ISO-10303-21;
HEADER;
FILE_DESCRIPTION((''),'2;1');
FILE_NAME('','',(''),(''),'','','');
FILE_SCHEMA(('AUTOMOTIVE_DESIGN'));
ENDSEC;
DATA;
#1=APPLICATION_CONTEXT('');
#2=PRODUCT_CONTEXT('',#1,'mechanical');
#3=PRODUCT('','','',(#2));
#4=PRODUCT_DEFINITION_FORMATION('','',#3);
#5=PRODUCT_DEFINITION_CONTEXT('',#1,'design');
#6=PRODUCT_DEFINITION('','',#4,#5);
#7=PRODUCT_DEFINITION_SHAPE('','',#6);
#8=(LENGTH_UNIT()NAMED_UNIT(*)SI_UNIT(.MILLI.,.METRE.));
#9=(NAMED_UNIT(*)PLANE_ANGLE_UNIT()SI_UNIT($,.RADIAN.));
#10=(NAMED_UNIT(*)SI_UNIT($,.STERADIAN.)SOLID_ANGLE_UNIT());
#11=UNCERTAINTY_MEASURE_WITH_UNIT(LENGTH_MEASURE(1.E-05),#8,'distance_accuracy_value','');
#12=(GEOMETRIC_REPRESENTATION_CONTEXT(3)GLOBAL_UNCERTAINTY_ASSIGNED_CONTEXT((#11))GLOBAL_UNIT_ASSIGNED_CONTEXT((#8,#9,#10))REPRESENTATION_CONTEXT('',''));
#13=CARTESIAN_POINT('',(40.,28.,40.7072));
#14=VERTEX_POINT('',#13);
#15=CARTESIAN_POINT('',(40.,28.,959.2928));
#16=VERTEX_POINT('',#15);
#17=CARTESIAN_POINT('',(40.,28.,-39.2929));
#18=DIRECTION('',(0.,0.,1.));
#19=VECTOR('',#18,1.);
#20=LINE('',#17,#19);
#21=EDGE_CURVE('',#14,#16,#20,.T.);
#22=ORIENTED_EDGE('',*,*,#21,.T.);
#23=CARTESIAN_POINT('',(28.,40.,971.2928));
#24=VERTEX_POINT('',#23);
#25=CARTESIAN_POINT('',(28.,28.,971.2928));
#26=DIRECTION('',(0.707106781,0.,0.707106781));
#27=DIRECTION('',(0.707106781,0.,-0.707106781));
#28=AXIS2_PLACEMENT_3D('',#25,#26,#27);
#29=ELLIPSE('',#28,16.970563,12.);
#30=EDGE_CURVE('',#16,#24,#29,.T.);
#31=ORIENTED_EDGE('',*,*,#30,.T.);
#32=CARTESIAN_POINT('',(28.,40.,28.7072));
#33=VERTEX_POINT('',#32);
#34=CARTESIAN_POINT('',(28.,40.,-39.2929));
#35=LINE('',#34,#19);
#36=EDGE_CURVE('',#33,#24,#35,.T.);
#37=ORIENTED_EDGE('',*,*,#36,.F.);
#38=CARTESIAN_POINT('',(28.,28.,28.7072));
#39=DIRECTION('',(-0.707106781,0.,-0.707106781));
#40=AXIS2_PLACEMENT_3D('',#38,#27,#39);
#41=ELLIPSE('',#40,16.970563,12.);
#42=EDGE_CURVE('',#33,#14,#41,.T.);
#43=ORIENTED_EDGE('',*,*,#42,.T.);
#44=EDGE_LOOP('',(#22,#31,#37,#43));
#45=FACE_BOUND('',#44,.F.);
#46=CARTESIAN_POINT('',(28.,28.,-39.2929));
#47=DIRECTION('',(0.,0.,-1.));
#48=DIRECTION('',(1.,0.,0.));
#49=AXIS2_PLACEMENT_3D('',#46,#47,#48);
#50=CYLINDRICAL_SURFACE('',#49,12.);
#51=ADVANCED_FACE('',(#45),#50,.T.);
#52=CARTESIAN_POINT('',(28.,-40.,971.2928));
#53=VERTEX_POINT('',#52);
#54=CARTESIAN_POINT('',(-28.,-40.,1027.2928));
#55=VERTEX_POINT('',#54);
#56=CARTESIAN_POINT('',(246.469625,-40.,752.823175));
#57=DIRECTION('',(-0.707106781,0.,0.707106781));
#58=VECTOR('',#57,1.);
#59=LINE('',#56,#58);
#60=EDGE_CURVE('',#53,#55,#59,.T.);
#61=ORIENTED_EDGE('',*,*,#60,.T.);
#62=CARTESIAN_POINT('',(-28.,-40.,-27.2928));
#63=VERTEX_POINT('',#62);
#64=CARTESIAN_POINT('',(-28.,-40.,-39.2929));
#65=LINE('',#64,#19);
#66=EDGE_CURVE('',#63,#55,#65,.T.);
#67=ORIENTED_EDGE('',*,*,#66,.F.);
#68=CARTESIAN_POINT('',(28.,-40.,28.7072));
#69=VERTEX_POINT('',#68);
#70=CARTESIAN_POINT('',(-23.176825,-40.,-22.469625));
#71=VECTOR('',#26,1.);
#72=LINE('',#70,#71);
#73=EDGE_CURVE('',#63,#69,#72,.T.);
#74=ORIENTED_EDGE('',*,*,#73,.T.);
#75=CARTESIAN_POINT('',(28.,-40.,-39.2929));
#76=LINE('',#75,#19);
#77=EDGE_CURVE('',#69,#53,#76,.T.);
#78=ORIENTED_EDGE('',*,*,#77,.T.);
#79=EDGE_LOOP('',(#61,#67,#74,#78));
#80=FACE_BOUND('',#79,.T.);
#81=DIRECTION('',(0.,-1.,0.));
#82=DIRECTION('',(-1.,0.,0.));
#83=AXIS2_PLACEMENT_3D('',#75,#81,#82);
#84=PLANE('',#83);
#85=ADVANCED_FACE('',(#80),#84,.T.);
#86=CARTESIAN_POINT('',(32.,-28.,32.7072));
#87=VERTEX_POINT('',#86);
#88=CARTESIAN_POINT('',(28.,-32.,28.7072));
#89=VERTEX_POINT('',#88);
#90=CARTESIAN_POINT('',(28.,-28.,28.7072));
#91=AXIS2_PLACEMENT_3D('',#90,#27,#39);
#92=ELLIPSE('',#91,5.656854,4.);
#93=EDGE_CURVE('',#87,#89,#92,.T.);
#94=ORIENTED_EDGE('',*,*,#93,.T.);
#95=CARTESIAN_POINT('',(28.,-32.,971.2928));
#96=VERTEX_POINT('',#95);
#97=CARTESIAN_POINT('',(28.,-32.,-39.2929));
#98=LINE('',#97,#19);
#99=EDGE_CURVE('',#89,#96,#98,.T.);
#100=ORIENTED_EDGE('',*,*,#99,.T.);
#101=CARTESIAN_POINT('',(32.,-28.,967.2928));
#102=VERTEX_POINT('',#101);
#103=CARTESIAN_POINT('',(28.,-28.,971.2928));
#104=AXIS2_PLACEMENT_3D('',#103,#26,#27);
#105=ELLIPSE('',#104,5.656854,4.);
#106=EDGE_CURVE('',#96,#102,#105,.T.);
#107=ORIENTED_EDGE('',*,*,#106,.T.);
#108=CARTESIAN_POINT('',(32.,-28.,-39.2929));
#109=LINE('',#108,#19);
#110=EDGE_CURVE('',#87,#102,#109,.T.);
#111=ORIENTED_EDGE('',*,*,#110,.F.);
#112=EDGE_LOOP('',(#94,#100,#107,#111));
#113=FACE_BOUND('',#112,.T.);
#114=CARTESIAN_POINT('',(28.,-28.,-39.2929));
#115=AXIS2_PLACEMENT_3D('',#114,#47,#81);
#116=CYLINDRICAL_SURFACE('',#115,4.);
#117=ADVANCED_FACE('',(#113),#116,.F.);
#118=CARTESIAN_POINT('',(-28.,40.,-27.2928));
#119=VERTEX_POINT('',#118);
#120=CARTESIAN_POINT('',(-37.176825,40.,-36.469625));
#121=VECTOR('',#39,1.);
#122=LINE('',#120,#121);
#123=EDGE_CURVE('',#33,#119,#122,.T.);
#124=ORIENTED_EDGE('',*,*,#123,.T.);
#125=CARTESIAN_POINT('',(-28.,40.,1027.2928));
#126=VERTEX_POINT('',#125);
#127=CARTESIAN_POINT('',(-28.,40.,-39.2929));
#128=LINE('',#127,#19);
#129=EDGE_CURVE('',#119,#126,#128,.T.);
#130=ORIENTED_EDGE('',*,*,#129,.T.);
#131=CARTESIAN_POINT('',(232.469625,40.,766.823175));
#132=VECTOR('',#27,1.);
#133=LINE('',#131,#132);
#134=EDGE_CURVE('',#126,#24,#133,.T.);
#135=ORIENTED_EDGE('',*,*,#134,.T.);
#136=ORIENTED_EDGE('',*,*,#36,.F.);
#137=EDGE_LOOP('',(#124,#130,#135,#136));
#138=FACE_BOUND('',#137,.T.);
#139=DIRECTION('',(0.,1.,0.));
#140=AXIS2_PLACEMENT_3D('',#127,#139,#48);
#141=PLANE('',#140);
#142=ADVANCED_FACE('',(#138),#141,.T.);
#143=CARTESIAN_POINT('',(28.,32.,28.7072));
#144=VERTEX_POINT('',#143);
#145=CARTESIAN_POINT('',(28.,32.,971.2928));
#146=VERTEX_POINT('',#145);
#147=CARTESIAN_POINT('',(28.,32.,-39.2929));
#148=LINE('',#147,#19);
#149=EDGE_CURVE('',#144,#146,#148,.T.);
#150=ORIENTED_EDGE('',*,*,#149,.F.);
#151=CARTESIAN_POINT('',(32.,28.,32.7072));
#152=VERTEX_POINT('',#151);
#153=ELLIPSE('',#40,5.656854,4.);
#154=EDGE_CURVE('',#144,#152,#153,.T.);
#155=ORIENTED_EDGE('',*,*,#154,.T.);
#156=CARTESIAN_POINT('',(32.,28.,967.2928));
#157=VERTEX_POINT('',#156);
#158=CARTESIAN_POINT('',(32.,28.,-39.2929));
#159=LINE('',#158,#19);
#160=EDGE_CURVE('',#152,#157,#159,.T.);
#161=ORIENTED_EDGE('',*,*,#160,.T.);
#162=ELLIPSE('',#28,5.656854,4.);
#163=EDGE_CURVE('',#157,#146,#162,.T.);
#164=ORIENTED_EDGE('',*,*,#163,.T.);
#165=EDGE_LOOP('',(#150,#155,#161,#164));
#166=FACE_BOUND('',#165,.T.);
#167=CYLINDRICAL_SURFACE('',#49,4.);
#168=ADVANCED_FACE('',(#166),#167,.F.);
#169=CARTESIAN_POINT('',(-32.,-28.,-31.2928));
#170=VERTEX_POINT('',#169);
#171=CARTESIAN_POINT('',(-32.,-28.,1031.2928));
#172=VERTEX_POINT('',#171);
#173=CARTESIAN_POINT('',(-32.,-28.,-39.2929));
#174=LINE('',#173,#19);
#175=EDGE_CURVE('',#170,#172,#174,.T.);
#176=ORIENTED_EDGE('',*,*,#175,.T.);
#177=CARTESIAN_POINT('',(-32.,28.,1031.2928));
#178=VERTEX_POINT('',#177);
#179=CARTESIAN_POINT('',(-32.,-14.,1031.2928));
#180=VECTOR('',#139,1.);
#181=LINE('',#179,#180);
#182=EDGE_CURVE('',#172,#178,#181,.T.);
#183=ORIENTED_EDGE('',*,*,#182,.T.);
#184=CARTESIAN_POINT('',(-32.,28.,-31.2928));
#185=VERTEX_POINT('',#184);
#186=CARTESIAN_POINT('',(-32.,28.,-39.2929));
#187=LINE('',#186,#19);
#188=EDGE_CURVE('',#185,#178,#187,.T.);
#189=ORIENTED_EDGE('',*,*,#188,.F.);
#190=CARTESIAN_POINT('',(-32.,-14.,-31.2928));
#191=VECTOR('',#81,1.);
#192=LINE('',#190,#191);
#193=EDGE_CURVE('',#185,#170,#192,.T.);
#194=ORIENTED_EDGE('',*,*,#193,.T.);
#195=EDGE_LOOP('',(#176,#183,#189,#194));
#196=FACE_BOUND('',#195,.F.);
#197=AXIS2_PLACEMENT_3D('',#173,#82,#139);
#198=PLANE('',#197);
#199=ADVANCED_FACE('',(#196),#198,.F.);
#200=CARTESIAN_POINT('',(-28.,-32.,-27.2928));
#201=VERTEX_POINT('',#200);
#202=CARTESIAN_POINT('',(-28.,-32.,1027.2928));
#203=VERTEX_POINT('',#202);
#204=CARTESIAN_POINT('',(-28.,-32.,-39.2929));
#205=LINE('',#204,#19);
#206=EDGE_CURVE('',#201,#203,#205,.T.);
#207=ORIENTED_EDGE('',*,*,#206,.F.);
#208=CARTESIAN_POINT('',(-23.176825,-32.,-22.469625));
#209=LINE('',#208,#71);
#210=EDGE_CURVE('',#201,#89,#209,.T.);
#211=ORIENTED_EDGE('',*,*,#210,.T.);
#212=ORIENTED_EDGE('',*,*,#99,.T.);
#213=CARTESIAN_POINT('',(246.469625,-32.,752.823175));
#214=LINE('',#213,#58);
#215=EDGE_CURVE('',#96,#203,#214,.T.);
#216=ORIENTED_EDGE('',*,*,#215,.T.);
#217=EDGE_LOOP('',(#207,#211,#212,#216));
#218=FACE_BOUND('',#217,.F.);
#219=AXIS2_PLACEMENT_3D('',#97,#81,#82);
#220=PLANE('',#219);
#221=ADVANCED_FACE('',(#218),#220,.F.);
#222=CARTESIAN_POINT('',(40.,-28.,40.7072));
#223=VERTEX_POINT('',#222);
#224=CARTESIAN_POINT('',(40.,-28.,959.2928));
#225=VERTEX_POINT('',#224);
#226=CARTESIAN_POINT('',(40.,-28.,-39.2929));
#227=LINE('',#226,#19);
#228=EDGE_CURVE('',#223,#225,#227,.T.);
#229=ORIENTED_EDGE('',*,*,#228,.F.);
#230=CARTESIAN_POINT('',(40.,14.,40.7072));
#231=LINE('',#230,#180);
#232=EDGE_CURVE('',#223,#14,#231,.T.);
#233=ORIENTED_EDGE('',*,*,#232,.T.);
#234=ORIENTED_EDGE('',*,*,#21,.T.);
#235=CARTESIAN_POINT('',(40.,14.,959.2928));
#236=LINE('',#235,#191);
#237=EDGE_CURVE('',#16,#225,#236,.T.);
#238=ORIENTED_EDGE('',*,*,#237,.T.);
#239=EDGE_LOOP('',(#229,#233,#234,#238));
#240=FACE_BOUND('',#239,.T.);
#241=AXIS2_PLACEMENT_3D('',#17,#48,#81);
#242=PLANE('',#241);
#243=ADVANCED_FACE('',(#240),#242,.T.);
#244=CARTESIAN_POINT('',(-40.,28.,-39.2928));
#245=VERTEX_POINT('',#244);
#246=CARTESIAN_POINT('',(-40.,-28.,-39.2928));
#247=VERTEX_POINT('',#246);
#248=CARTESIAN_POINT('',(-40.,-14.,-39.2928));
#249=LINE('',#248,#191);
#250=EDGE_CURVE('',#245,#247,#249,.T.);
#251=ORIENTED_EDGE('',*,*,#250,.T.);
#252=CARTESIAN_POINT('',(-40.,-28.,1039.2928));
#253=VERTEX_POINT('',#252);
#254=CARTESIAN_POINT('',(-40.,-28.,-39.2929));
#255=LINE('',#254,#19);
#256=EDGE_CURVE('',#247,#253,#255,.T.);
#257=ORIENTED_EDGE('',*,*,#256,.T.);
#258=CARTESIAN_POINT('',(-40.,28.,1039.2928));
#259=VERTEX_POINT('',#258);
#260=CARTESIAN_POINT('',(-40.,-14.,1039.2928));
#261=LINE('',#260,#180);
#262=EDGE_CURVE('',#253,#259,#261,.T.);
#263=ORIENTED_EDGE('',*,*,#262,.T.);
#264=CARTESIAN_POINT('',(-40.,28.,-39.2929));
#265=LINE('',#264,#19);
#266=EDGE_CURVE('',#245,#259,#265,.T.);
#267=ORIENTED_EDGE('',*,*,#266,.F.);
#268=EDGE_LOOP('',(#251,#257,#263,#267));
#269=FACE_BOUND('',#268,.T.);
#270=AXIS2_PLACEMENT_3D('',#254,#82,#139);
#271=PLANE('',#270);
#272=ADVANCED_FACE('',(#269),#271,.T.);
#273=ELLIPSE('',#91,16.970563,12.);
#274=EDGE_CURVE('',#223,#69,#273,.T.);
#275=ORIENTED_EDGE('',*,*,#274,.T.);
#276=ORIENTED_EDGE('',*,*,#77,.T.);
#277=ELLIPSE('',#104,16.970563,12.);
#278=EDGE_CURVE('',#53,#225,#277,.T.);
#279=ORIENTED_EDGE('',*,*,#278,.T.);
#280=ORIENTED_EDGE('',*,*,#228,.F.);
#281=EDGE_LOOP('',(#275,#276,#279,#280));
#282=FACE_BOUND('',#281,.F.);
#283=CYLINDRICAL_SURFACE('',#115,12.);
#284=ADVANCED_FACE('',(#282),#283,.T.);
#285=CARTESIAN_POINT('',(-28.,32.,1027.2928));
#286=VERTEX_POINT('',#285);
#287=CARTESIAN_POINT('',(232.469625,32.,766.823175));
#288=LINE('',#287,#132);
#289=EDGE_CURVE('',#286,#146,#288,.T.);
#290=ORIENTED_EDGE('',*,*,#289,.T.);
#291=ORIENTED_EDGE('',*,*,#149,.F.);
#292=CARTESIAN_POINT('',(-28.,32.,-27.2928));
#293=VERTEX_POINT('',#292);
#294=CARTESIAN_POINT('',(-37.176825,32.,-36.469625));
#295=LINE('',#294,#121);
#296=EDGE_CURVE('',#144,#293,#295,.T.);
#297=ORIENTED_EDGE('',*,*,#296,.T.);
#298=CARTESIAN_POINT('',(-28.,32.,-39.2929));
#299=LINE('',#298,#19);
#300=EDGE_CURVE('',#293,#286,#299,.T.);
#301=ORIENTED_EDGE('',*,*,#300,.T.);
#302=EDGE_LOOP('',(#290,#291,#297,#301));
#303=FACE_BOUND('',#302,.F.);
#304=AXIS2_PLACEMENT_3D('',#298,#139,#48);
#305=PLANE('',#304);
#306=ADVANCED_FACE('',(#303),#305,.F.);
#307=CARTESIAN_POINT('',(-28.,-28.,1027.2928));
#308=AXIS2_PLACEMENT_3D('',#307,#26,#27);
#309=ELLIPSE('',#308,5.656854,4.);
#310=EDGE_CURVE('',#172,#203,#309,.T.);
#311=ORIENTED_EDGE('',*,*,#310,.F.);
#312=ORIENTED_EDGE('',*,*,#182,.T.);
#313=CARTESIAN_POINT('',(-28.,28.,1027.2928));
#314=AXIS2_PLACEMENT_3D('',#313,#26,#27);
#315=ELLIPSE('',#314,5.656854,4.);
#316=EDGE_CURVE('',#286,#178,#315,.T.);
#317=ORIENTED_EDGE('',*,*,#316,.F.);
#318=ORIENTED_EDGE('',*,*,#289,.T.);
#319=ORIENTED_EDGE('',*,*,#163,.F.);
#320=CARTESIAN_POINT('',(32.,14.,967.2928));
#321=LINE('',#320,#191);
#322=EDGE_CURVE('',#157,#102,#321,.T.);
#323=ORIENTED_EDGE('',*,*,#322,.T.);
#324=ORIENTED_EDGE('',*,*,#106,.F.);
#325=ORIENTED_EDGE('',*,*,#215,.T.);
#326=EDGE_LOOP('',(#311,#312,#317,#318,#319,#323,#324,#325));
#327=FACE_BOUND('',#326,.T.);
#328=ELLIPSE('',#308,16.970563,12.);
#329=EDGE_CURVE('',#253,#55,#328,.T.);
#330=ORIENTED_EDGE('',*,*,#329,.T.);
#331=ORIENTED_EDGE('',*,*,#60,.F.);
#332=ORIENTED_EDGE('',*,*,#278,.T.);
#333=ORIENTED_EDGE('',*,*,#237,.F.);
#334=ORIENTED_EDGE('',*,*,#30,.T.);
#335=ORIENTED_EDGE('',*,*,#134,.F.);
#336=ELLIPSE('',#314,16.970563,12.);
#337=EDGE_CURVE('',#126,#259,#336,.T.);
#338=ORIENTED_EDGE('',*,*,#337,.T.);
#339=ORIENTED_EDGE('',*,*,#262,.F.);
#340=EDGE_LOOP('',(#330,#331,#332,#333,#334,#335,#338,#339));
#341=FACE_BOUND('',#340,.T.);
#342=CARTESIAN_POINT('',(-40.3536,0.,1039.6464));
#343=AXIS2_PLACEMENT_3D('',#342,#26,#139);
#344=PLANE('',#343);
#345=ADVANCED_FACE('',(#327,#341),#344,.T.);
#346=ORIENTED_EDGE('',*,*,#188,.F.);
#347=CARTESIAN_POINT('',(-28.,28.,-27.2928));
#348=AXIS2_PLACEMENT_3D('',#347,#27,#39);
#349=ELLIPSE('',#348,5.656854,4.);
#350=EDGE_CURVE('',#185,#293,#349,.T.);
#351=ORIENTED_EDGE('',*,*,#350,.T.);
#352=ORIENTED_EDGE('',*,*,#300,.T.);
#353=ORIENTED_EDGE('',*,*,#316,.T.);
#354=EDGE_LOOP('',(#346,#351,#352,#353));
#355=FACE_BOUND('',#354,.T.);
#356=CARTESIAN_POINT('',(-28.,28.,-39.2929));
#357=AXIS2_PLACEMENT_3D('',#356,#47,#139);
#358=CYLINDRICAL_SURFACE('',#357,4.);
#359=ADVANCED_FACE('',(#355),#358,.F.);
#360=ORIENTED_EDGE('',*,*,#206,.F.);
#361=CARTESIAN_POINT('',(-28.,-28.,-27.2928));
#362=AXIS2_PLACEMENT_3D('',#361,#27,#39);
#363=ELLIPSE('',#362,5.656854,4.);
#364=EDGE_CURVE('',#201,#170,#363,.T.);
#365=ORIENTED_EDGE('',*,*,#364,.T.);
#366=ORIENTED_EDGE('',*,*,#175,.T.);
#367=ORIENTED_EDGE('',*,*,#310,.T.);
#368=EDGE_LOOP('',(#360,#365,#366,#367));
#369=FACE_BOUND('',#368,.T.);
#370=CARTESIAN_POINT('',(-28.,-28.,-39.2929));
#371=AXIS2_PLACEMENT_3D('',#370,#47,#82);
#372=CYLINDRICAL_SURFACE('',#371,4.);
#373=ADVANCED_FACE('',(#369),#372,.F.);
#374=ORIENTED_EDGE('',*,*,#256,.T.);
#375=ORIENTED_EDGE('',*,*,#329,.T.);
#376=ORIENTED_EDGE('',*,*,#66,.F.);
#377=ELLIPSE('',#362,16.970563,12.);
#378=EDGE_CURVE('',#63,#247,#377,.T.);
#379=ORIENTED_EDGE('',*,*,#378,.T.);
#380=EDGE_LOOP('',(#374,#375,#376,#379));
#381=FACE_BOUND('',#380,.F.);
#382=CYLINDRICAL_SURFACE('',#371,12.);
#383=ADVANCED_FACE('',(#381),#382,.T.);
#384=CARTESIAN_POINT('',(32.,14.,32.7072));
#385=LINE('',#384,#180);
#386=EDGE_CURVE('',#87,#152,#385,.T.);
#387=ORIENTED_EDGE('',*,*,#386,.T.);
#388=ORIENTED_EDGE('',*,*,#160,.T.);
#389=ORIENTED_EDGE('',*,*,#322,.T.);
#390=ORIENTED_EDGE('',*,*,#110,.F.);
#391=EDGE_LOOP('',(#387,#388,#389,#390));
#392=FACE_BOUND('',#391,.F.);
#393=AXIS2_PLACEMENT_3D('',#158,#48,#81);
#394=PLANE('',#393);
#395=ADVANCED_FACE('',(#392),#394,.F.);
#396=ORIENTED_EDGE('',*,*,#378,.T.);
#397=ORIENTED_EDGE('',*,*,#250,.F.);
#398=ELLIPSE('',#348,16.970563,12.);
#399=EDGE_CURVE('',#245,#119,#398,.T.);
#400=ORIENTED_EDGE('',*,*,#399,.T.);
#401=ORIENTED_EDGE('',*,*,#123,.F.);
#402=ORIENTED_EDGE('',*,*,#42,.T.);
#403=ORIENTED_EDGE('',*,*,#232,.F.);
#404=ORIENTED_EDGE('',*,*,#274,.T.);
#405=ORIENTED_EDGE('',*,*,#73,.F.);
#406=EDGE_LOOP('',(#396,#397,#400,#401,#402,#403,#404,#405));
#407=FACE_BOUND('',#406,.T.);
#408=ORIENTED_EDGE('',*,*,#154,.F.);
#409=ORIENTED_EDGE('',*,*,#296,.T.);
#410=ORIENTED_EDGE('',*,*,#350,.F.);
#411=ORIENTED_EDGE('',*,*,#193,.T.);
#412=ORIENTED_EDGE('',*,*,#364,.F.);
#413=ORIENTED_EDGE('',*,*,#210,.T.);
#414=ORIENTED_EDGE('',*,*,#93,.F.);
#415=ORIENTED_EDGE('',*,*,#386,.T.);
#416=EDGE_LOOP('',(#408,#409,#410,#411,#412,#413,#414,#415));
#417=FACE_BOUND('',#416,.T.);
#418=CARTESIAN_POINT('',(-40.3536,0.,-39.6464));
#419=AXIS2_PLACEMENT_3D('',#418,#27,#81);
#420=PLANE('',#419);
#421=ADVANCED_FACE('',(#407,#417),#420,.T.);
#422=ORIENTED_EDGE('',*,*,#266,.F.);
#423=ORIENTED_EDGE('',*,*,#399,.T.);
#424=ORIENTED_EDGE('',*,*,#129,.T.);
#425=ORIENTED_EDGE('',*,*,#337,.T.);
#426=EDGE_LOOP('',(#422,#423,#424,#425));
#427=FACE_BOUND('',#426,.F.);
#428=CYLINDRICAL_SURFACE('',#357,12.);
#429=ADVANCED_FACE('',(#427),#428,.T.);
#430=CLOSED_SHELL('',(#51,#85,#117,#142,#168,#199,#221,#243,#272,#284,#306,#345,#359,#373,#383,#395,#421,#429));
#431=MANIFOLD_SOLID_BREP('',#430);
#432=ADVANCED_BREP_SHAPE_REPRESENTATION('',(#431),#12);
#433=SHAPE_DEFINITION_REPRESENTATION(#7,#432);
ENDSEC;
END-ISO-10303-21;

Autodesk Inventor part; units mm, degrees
ref_plane "Start Plane" through (0, 0, -39.2929) normal (0, 0, 1) x (1, 0, 0)
ref_plane "End Plane" through (0, 0, 1039.2929) normal (0, 0, 1) x (1, 0, 0)
sketch "Sketch" plane through (0, 0, 0) normal (0, 0, 1) x (1, 0, 0)
  line L0 (-40, -28) -> (-40, 28)
  line L1 (-28, 40) -> (28, 40)
  line L2 (40, 28) -> (40, -28)
  line L3 (28, -40) -> (-28, -40)
  arc A0 (-40, -28) -> (-28, -40) centre (-28, -28) ccw
  arc A1 (-28, 40) -> (-40, 28) centre (-28, 28) ccw
  arc A2 (40, 28) -> (28, 40) centre (28, 28) ccw
  arc A3 (28, -40) -> (40, -28) centre (28, -28) ccw
  arc A4 (-28, 32) -> (-32, 28) centre (-28, 28) ccw
  line L4 (-28, 32) -> (28, 32)
  arc A5 (32, 28) -> (28, 32) centre (28, 28) ccw
  line L5 (32, 28) -> (32, -28)
  arc A6 (28, -32) -> (32, -28) centre (28, -28) ccw
  line L6 (28, -32) -> (-28, -32)
  arc A7 (-32, -28) -> (-28, -32) centre (-28, -28) ccw
  line L7 (-32, -28) -> (-32, 28)
  line L8 (0, 59.4794) -> (0, -59.4794) construction
  line L9 (-59.4794, 0) -> (59.4794, 0) construction
  dimension "d7" = 12
  dimension "d10" = 80
  dimension "d11" = 80
  dimension "d12" = 8
  dimension "d15" = 40
  dimension "d16" = 40
extrude "Body" add sketch "Sketch" along normal up to surface (1078.5858 mm away) from surface at -39.2929
sketch "Sketch3" plane through (0, 0, 0) normal (0, 0, 1) x (1, 0, 0)
  line L0 (0, 0) -> (10, 0)
ref_plane "Work Plane3" through (0, 0, 0) normal (0, -1, 0) x (1, 0, 0)
ref_plane "Work Plane4" through (-40.3536, 0, 1039.6464) normal (0.7071, 0, 0.7071) x (0.7071, 0, -0.7071)
split "Split1" plane through (-40.3536, 0, 1039.6464) removes the side toward (0.7071, 0, 0.7071)
ref_plane "Work Plane5" through (-40.3536, 0, -39.6464) normal (0.7071, 0, -0.7071) x (-0.7071, 0, -0.7071)
split "Split2" plane through (-40.3536, 0, -39.6464) removes the side toward (0.7071, 0, -0.7071)
sketch "Sketch4" plane through (0, 0, 0) normal (0, -1, 0) x (1, 0, 0)
  line L0 (-2, -39.2929) -> (12, -39.2929) projected
  line L1 (-2, 1039.2929) -> (12, 1039.2929) projected
  dimension "d18" = 1078.5858
equation "\"d7\" = G_IR"
equation "\"d10\" = G_H"
equation "\"d11\" = G_W"
equation "\"d12\" = G_T"
equation "\"d15\" = 0.5 * d10"
equation "\"d16\" = 0.5 * d11"
equation "\"d3\" = G_L"
equation "\"G_W\" = 80"
equation "\"G_H\" = 80"
equation "\"G_T\" = 8"
equation "\"G_IR\" = 12"
equation "\"G_L\" = d18"
equation "\"G_OFFSET_START\" = 39.29289"
equation "\"G_OFFSET_END\" = 39.29289"
equation "\"d13\" = -G_OFFSET_START"
equation "\"d14\" = G_OFFSET_END + B_L"
equation "\"B_L\" = 1000"
properties part number "ISO 12633-2 - 80x80x8 - 1078.59" material "Steel, Mild"
